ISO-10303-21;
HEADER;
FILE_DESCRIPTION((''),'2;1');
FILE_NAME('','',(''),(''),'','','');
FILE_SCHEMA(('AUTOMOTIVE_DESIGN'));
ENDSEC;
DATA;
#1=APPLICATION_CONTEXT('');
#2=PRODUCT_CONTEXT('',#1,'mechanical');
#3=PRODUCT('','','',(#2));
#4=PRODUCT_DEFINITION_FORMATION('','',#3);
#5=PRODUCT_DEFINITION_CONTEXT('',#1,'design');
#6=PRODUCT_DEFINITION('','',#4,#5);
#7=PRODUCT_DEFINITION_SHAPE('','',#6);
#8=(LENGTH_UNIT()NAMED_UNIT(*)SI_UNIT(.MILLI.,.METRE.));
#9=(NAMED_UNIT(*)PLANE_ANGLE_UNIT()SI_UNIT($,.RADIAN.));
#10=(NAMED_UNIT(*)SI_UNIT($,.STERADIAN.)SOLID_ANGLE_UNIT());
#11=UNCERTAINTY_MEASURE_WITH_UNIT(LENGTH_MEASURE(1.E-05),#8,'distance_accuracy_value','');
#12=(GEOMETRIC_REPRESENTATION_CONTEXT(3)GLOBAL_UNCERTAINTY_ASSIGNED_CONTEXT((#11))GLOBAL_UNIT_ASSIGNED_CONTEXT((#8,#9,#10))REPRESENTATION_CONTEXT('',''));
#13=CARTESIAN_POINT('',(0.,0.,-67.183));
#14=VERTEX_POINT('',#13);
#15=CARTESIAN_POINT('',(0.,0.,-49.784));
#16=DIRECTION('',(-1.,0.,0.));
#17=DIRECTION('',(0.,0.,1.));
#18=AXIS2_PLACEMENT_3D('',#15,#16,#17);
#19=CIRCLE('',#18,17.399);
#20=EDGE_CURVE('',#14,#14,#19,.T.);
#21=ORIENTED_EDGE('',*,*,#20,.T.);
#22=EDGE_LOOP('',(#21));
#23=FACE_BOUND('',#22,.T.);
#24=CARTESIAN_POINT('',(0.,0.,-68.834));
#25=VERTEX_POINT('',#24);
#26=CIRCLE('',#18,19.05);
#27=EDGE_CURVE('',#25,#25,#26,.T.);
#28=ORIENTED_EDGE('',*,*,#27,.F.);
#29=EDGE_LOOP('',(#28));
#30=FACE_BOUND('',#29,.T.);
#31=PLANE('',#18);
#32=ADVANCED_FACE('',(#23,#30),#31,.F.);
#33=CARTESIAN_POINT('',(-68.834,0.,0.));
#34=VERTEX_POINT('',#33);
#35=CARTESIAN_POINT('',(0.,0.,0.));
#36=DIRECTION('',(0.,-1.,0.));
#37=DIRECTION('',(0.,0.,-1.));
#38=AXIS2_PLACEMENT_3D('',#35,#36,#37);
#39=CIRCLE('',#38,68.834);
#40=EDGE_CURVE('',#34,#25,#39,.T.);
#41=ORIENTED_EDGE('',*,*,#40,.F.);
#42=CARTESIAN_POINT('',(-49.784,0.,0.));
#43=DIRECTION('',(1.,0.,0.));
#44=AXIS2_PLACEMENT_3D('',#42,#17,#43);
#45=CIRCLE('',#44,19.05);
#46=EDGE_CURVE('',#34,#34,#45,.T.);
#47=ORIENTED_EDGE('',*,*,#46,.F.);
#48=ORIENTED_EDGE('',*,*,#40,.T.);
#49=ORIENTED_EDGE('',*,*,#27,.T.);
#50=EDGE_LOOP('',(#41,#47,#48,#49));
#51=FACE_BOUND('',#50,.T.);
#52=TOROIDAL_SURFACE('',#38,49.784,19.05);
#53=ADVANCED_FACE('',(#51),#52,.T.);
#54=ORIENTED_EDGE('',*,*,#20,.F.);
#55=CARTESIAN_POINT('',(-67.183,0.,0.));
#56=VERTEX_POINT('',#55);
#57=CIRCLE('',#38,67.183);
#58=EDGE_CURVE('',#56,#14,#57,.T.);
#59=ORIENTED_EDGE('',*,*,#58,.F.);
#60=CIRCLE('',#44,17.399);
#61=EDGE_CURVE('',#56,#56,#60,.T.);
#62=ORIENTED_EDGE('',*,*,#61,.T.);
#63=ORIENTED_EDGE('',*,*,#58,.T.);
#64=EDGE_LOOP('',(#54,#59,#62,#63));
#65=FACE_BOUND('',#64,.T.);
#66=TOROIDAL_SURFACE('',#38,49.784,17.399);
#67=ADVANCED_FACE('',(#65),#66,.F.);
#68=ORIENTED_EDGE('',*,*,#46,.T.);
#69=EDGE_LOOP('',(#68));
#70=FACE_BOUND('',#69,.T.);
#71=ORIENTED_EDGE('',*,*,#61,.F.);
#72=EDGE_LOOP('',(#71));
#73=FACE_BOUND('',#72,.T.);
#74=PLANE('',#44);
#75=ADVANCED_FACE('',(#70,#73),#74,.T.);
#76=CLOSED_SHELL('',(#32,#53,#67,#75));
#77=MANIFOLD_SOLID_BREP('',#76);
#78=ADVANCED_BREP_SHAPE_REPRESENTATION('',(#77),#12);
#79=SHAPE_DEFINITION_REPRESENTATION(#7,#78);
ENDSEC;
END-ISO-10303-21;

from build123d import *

# Parameters (mm, degrees)
SKETCH6_R   = 19.05
SKETCH6_R_2 = 17.399


with BuildPart() as part:
    # Sweep-Thin1: sweep along a path in Sketch2
    with BuildLine(Plane(origin=(0, 0, 0), x_dir=(1, 0, 0), z_dir=(0, 1, 0))) as sweep_thin1_path:
        ThreePointArc((0, 49.784), (-35.202603995, 35.202603995), (-49.784, 0))
    # Sketch6 → Sweep-Thin1 (sweep)
    with BuildSketch(Plane(origin=(0, 0, -49.784), x_dir=(0, 0, 1), z_dir=(-1, 0, 0))):
        Circle(SKETCH6_R)
        Circle(SKETCH6_R_2, mode=Mode.SUBTRACT)
    sweep(path=sweep_thin1_path.line)


solid = part.part
